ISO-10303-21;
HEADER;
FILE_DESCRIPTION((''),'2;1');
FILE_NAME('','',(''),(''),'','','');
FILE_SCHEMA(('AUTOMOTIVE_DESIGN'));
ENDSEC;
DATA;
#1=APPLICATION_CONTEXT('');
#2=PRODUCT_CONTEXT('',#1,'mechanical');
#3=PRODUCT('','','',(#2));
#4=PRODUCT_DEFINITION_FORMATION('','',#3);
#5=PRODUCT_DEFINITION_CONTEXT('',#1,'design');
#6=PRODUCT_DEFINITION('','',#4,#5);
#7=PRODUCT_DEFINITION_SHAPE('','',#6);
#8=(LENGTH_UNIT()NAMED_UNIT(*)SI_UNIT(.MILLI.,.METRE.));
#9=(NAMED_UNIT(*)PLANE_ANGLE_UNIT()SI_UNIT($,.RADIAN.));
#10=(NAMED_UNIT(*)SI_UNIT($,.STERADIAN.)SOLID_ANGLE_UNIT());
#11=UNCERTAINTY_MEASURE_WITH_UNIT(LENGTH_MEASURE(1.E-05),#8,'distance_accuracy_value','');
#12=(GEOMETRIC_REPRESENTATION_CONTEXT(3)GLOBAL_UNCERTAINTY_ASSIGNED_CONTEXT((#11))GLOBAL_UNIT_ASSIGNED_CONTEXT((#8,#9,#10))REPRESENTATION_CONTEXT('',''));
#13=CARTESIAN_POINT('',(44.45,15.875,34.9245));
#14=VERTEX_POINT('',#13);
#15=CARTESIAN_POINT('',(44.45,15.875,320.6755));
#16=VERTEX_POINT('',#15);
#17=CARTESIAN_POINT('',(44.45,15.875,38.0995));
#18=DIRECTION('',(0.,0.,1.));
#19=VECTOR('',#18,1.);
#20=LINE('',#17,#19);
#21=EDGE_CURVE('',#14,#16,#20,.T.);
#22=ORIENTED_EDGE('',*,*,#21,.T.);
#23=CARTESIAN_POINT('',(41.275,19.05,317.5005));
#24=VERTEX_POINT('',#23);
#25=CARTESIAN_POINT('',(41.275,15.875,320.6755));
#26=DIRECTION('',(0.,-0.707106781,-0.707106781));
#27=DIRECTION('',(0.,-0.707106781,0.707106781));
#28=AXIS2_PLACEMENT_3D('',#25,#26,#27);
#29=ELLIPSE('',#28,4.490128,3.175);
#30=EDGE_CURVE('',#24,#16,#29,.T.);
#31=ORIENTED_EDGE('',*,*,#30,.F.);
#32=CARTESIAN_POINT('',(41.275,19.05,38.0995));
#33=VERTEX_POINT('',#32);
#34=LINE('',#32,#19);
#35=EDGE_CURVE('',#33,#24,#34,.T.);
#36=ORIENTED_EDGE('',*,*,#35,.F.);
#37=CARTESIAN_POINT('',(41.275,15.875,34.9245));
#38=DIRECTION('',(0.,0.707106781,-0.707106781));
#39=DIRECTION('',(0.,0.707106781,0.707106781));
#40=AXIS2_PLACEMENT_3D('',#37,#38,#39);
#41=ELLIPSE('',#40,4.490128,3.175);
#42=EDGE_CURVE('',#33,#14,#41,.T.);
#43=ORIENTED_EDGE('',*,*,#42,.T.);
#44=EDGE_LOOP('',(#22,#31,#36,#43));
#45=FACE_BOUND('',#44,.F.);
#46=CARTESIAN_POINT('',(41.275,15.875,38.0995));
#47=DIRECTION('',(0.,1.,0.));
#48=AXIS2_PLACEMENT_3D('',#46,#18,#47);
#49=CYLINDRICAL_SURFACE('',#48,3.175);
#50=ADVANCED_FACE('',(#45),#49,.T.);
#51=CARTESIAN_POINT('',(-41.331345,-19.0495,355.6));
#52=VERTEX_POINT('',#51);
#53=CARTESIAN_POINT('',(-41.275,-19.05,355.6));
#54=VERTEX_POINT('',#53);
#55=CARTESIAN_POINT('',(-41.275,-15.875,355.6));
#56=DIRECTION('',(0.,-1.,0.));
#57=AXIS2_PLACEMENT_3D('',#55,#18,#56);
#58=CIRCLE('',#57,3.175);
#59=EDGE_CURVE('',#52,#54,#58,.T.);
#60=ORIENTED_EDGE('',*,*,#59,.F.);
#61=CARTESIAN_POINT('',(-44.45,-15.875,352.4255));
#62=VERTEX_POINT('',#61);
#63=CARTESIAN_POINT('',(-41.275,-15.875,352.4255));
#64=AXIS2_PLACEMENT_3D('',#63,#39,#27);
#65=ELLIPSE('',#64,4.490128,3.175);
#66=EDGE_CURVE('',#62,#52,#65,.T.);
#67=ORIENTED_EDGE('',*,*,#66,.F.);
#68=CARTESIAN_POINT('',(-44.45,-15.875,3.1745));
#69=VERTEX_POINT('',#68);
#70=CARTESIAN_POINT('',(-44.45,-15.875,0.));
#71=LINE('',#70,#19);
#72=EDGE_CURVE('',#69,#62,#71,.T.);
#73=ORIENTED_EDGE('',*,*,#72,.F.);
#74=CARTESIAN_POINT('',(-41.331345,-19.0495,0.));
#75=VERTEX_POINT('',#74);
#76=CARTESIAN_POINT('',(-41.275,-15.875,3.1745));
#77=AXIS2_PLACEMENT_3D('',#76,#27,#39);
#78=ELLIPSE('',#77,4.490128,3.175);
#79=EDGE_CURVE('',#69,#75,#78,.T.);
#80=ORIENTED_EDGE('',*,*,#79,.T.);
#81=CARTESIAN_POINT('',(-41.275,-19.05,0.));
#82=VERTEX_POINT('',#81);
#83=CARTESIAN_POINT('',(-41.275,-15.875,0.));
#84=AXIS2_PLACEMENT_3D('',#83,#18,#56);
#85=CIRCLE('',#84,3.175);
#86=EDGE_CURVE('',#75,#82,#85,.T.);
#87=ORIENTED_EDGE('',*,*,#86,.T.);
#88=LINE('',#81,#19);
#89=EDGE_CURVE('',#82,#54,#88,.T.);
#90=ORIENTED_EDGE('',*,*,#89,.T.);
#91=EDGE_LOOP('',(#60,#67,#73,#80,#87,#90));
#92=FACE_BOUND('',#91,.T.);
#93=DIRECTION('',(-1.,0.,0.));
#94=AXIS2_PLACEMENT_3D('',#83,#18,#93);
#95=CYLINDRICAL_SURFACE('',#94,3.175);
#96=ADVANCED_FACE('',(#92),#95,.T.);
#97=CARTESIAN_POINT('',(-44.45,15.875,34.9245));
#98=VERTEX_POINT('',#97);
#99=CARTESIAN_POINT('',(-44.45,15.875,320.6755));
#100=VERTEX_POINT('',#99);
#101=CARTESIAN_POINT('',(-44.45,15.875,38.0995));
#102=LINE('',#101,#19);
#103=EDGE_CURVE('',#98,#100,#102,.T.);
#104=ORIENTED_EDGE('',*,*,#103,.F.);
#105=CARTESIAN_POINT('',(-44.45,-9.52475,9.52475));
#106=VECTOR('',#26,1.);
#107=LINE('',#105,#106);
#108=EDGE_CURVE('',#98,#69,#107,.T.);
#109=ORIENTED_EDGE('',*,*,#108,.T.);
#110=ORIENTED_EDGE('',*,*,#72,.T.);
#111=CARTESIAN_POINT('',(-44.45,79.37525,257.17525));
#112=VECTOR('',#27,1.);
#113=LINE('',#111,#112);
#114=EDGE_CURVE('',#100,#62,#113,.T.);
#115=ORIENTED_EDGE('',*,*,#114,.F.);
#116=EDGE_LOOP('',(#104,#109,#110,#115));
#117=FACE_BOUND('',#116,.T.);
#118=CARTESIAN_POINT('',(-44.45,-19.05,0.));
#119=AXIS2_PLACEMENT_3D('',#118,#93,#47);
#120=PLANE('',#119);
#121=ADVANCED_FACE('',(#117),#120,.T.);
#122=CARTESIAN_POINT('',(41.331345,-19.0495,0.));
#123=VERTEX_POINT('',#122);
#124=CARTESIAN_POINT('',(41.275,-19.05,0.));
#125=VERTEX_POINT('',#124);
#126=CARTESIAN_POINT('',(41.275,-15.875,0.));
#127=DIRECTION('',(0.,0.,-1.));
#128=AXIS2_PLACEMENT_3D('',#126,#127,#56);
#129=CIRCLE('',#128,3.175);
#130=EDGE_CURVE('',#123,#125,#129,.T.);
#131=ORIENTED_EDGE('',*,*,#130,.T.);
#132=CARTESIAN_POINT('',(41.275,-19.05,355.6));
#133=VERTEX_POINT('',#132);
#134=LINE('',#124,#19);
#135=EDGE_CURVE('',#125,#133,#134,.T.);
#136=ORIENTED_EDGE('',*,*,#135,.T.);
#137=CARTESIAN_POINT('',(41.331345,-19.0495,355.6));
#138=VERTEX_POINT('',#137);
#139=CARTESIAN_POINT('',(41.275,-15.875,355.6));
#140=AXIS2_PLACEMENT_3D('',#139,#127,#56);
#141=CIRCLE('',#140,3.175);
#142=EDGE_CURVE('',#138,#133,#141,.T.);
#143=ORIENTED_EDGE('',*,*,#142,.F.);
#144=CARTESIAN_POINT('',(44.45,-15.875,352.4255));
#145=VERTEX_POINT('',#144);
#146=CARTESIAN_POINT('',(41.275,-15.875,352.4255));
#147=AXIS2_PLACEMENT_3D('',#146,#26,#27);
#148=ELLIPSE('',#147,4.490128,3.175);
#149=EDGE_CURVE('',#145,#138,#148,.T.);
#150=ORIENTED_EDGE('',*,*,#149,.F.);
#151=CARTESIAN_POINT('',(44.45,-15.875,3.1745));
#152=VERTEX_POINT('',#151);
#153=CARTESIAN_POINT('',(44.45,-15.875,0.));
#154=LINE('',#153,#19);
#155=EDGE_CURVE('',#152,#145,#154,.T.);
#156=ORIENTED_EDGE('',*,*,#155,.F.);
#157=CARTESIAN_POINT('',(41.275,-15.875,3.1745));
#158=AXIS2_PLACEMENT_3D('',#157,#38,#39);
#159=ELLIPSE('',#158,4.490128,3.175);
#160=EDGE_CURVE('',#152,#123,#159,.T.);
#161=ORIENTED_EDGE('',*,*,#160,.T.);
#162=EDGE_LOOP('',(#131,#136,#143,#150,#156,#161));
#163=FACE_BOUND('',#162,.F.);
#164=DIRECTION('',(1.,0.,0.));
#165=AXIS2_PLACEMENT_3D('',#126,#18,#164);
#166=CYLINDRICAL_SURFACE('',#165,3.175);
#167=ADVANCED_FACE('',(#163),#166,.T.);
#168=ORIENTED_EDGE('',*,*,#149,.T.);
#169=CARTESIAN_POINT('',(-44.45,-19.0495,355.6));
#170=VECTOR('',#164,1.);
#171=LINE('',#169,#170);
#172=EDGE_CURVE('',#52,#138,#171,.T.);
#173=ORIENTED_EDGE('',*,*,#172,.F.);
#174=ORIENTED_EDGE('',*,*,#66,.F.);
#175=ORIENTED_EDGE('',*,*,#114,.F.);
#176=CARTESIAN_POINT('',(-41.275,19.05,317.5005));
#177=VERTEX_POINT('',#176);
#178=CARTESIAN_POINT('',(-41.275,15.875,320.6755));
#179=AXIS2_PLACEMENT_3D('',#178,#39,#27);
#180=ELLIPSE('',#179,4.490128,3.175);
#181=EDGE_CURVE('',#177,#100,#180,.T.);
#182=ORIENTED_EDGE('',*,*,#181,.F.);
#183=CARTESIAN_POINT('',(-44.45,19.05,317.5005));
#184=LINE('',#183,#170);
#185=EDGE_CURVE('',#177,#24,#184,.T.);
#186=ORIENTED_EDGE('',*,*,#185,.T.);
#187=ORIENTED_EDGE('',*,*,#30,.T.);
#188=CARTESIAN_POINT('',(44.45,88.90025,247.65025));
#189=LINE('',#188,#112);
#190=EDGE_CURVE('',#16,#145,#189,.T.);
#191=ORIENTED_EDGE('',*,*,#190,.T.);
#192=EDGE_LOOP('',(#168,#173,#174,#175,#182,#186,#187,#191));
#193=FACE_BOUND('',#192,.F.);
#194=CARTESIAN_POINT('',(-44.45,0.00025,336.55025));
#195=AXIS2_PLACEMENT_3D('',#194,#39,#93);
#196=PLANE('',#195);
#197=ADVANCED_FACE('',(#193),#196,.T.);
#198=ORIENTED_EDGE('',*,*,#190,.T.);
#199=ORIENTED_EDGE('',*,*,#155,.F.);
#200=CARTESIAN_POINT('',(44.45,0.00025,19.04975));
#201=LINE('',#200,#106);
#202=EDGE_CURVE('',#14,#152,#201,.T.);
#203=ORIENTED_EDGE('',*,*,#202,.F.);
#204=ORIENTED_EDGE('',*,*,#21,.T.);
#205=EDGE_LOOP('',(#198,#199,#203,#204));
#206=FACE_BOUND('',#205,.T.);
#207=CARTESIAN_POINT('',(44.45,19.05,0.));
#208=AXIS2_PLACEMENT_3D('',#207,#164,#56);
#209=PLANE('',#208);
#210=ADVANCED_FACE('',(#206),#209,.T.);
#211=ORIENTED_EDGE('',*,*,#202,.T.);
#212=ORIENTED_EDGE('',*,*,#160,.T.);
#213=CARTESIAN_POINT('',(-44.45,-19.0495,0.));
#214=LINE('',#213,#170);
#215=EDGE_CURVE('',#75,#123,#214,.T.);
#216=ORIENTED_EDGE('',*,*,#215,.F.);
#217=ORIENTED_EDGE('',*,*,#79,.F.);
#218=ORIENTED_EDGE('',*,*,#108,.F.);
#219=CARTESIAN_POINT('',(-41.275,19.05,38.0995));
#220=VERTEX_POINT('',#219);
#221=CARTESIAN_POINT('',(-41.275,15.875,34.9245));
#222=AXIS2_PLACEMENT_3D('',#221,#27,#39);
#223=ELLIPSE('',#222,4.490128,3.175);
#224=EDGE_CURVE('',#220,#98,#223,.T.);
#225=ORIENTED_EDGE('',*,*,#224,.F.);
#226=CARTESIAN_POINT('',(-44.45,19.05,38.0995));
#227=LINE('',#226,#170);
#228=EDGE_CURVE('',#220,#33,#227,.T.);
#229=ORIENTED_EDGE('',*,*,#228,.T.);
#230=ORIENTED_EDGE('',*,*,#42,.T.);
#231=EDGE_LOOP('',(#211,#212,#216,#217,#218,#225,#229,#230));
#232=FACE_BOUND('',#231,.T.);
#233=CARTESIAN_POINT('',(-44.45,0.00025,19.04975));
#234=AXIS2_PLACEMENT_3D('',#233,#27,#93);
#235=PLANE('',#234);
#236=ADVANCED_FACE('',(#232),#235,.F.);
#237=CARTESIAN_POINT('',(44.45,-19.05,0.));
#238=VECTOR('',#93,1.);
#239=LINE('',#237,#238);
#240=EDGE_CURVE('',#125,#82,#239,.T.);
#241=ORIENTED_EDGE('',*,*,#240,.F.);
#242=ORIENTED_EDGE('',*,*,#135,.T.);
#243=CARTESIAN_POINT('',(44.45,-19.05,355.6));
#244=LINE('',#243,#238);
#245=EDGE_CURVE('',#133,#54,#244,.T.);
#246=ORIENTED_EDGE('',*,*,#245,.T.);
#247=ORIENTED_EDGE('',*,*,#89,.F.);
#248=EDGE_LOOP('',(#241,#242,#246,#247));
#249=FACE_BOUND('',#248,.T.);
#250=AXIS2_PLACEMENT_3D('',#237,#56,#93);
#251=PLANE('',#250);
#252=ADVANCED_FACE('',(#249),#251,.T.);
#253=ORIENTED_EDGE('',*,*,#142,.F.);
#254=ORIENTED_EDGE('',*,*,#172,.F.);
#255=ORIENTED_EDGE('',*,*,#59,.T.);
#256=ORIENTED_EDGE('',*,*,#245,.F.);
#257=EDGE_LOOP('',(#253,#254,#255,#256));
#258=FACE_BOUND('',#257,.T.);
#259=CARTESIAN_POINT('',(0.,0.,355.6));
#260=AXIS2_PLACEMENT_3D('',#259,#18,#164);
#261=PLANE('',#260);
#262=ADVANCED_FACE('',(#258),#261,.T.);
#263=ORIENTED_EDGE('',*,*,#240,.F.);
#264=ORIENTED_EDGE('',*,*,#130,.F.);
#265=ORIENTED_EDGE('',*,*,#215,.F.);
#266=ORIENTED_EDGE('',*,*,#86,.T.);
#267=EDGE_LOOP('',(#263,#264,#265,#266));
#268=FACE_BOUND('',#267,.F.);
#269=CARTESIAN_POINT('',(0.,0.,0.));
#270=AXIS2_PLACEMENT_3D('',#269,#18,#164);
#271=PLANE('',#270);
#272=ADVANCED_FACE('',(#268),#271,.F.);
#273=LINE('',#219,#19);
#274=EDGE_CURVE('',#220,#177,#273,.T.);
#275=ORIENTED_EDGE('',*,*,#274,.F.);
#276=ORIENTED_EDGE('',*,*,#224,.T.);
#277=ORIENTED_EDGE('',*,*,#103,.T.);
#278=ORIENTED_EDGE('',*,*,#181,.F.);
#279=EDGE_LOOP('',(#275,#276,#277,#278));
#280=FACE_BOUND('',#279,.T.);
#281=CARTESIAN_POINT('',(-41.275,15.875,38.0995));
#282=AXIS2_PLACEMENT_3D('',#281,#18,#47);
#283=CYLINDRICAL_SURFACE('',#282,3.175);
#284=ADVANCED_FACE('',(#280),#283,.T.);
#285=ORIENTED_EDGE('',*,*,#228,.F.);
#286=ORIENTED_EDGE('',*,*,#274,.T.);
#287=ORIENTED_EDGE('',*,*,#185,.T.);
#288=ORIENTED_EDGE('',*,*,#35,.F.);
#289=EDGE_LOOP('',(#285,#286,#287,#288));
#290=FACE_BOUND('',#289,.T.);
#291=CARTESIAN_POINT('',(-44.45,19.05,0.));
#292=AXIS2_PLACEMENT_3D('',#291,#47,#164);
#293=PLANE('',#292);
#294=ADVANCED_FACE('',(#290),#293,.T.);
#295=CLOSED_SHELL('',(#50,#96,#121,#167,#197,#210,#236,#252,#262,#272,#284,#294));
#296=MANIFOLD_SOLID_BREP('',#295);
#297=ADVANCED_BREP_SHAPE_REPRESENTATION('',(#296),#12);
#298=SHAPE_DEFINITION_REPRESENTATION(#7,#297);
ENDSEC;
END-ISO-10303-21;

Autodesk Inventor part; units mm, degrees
ref_plane "YZ Plane" through (0, 0, 0) normal (1, 0, 0) x (0, 1, 0)
ref_plane "XZ Plane" through (0, 0, 0) normal (0, 1, 0) x (-1, 0, 0)
ref_plane "XY Plane" through (0, 0, 0) normal (0, 0, 1) x (1, 0, 0)
sketch "Sketch1" plane through (0, 0, 0) normal (0, 0, 1) x (1, 0, 0)
  line L0 (-44.45, 19.05) -> (44.45, 19.05)
  line L1 (44.45, 19.05) -> (44.45, -19.05)
  line L2 (44.45, -19.05) -> (-44.45, -19.05)
  line L3 (-44.45, -19.05) -> (-44.45, 19.05)
  line L4 (-44.45, 19.05) -> (44.45, -19.05) construction
  line L5 (44.45, 19.05) -> (-44.45, -19.05) construction
  point P0 (0, 0)
  dimension "d0" = 88.9
  dimension "d1" = 38.1
extrude "Extrusion1" add sketch "Sketch1" along normal blind 355.6
chamfer "Chamfer1" distance 38.1 angle 45 2 edges at (0, 19.05, 355.6) (0, 19.05, 0)
fillet "Fillet1" radius 3.175 4 edges at (-44.45, 19.05, 177.8) (-44.45, -19.05, 177.8) (44.45, -19.05, 177.8) (44.45, 19.05, 177.8)
properties part number "Upper Decoration"
